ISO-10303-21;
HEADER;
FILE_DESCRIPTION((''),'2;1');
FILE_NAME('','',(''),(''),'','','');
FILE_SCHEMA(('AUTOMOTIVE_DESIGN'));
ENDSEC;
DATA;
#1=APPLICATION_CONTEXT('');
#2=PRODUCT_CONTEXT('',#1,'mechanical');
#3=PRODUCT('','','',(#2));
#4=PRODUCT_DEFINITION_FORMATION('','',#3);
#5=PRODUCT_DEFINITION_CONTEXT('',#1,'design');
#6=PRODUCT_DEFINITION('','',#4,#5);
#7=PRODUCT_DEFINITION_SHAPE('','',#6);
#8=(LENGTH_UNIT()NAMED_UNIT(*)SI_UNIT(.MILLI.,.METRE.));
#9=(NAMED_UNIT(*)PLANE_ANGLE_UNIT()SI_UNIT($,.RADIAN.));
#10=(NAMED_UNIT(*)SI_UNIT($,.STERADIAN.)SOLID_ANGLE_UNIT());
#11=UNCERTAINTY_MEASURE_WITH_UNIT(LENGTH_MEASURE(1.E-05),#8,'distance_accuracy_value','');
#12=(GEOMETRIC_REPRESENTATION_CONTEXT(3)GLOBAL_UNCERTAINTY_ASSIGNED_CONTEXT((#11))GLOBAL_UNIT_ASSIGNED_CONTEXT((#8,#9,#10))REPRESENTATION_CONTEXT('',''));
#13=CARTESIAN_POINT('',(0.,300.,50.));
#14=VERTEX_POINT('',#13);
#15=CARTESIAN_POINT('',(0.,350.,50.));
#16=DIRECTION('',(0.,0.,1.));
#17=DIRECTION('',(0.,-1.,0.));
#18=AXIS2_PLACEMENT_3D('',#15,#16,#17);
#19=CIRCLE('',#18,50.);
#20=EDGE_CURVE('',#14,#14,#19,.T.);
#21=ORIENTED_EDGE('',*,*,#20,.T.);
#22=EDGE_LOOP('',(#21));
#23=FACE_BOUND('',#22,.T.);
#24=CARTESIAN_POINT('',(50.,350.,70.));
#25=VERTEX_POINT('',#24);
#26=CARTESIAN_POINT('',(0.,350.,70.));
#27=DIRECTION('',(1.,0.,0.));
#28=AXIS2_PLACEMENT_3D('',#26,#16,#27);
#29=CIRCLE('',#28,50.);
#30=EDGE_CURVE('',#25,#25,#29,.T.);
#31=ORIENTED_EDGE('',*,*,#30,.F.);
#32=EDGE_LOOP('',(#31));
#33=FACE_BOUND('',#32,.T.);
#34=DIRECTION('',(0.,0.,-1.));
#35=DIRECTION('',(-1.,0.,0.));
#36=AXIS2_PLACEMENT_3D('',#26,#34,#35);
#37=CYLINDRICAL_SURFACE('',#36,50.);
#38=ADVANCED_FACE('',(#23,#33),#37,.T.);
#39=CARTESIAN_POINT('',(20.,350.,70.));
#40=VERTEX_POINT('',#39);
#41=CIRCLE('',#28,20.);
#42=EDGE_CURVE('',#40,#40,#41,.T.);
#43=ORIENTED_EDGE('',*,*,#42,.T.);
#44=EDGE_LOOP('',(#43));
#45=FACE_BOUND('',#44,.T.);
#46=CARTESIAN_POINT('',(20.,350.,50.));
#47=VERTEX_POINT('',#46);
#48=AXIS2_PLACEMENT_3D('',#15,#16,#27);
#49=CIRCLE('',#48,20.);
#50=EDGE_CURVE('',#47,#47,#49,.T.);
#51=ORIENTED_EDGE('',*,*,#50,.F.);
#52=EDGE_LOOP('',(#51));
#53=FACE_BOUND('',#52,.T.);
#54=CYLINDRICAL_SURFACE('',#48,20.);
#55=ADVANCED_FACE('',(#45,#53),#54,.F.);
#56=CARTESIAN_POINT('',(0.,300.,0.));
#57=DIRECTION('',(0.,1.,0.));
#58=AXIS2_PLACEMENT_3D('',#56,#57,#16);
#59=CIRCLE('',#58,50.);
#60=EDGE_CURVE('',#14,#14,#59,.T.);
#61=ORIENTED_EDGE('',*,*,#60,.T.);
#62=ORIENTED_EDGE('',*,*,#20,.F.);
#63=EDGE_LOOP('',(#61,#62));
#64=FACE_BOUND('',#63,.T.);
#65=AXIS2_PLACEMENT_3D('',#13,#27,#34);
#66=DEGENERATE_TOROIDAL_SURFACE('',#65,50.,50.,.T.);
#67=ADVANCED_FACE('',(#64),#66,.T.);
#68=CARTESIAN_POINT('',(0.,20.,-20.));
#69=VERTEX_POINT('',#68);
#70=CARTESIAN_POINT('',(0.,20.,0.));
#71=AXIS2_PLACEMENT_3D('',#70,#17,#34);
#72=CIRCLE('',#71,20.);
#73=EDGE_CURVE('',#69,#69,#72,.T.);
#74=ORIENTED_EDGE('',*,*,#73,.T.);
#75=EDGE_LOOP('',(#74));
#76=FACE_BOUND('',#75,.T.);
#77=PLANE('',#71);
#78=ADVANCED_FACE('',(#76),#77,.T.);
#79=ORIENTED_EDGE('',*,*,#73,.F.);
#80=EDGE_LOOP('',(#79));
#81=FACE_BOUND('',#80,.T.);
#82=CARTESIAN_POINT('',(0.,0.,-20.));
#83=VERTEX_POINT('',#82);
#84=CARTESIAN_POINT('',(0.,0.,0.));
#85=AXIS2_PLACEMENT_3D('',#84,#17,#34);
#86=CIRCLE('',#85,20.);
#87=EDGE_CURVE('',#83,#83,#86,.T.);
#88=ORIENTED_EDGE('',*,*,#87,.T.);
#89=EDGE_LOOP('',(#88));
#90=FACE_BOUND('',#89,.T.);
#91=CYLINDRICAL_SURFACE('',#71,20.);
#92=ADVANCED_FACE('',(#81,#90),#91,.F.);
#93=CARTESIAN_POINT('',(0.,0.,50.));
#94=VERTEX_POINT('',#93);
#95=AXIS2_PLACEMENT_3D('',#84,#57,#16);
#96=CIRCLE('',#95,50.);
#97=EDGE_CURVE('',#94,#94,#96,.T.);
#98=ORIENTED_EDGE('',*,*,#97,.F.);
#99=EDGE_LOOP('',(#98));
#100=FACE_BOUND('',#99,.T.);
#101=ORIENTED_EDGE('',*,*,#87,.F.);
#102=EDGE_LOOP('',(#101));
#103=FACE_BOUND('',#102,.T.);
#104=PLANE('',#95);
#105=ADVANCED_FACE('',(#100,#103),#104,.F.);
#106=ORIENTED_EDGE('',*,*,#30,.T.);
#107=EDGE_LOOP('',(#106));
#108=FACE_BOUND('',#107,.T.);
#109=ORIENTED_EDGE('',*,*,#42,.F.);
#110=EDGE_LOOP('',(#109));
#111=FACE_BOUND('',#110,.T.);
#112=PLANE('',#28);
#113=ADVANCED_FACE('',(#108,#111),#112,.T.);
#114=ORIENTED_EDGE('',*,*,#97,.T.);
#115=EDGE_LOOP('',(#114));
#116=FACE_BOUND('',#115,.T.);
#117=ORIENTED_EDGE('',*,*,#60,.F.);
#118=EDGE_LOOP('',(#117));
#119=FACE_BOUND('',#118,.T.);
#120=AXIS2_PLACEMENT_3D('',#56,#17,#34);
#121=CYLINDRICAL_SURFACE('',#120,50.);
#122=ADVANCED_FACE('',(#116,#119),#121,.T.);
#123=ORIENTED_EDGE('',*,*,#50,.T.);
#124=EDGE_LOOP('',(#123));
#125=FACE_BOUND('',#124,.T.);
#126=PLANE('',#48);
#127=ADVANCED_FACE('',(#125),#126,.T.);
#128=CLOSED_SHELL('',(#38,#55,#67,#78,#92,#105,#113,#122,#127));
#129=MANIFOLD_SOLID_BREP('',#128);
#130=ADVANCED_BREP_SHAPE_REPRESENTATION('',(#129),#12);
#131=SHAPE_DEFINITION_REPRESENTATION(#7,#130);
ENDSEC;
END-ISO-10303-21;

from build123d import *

# Parameters (mm, degrees)
SKETCH1_R           = 50
BOSS_EXTRUDE1_DEPTH = 300
SKETCH3_R           = 50
SKETCH4_R           = 50
BOSS_EXTRUDE2_DEPTH = 20
SKETCH5_R           = 20
CUT_EXTRUDE1_DEPTH  = 20
SKETCH9_R           = 20
CUT_EXTRUDE2_DEPTH  = 20


with BuildPart() as part:
    # Sketch1 → Boss-Extrude1 (new body)
    with BuildSketch(Plane(origin=(0, 0, 0), x_dir=(1, 0, 0), z_dir=(0, 1, 0))):
        with Locations(Location((0, 0, 0), (0, 0, 270))):
            Circle(SKETCH1_R)
    extrude(amount=BOSS_EXTRUDE1_DEPTH)

    # Sweep1: sweep along a path in Sketch2
    with BuildLine(Plane(origin=(0, 0, 0), x_dir=(0, 0, -1), z_dir=(1, 0, 0))) as sweep1_path:
        ThreePointArc((0, 300), (-14.644660941, 335.355339059), (-50, 350))
    # Sketch3 → Sweep1 (sweep)
    with BuildSketch(Plane(origin=(0, 300, 0), x_dir=(1, 0, 0), z_dir=(0, 1, 0))):
        Circle(SKETCH3_R)
    sweep(path=sweep1_path.line)

    # Sketch4 → Boss-Extrude2 (add)
    with BuildSketch(Plane.XY.offset(50)):
        with Locations(Location((0, 350, 0), (0, 0, 270))):
            Circle(SKETCH4_R)
    extrude(amount=BOSS_EXTRUDE2_DEPTH)

    # Sketch5 → Cut-Extrude1 (cut)
    with BuildSketch(Plane.XY.offset(70)):
        with Locations((0, 350)):
            Circle(SKETCH5_R)
    extrude(amount=-CUT_EXTRUDE1_DEPTH, mode=Mode.SUBTRACT)

    # Sketch9 → Cut-Extrude2 (cut)
    with BuildSketch(Plane.XZ):
        with Locations(Location((0, 0, 0), (0, 0, 270))):
            Circle(SKETCH9_R)
    extrude(amount=-CUT_EXTRUDE2_DEPTH, mode=Mode.SUBTRACT)


solid = part.part
